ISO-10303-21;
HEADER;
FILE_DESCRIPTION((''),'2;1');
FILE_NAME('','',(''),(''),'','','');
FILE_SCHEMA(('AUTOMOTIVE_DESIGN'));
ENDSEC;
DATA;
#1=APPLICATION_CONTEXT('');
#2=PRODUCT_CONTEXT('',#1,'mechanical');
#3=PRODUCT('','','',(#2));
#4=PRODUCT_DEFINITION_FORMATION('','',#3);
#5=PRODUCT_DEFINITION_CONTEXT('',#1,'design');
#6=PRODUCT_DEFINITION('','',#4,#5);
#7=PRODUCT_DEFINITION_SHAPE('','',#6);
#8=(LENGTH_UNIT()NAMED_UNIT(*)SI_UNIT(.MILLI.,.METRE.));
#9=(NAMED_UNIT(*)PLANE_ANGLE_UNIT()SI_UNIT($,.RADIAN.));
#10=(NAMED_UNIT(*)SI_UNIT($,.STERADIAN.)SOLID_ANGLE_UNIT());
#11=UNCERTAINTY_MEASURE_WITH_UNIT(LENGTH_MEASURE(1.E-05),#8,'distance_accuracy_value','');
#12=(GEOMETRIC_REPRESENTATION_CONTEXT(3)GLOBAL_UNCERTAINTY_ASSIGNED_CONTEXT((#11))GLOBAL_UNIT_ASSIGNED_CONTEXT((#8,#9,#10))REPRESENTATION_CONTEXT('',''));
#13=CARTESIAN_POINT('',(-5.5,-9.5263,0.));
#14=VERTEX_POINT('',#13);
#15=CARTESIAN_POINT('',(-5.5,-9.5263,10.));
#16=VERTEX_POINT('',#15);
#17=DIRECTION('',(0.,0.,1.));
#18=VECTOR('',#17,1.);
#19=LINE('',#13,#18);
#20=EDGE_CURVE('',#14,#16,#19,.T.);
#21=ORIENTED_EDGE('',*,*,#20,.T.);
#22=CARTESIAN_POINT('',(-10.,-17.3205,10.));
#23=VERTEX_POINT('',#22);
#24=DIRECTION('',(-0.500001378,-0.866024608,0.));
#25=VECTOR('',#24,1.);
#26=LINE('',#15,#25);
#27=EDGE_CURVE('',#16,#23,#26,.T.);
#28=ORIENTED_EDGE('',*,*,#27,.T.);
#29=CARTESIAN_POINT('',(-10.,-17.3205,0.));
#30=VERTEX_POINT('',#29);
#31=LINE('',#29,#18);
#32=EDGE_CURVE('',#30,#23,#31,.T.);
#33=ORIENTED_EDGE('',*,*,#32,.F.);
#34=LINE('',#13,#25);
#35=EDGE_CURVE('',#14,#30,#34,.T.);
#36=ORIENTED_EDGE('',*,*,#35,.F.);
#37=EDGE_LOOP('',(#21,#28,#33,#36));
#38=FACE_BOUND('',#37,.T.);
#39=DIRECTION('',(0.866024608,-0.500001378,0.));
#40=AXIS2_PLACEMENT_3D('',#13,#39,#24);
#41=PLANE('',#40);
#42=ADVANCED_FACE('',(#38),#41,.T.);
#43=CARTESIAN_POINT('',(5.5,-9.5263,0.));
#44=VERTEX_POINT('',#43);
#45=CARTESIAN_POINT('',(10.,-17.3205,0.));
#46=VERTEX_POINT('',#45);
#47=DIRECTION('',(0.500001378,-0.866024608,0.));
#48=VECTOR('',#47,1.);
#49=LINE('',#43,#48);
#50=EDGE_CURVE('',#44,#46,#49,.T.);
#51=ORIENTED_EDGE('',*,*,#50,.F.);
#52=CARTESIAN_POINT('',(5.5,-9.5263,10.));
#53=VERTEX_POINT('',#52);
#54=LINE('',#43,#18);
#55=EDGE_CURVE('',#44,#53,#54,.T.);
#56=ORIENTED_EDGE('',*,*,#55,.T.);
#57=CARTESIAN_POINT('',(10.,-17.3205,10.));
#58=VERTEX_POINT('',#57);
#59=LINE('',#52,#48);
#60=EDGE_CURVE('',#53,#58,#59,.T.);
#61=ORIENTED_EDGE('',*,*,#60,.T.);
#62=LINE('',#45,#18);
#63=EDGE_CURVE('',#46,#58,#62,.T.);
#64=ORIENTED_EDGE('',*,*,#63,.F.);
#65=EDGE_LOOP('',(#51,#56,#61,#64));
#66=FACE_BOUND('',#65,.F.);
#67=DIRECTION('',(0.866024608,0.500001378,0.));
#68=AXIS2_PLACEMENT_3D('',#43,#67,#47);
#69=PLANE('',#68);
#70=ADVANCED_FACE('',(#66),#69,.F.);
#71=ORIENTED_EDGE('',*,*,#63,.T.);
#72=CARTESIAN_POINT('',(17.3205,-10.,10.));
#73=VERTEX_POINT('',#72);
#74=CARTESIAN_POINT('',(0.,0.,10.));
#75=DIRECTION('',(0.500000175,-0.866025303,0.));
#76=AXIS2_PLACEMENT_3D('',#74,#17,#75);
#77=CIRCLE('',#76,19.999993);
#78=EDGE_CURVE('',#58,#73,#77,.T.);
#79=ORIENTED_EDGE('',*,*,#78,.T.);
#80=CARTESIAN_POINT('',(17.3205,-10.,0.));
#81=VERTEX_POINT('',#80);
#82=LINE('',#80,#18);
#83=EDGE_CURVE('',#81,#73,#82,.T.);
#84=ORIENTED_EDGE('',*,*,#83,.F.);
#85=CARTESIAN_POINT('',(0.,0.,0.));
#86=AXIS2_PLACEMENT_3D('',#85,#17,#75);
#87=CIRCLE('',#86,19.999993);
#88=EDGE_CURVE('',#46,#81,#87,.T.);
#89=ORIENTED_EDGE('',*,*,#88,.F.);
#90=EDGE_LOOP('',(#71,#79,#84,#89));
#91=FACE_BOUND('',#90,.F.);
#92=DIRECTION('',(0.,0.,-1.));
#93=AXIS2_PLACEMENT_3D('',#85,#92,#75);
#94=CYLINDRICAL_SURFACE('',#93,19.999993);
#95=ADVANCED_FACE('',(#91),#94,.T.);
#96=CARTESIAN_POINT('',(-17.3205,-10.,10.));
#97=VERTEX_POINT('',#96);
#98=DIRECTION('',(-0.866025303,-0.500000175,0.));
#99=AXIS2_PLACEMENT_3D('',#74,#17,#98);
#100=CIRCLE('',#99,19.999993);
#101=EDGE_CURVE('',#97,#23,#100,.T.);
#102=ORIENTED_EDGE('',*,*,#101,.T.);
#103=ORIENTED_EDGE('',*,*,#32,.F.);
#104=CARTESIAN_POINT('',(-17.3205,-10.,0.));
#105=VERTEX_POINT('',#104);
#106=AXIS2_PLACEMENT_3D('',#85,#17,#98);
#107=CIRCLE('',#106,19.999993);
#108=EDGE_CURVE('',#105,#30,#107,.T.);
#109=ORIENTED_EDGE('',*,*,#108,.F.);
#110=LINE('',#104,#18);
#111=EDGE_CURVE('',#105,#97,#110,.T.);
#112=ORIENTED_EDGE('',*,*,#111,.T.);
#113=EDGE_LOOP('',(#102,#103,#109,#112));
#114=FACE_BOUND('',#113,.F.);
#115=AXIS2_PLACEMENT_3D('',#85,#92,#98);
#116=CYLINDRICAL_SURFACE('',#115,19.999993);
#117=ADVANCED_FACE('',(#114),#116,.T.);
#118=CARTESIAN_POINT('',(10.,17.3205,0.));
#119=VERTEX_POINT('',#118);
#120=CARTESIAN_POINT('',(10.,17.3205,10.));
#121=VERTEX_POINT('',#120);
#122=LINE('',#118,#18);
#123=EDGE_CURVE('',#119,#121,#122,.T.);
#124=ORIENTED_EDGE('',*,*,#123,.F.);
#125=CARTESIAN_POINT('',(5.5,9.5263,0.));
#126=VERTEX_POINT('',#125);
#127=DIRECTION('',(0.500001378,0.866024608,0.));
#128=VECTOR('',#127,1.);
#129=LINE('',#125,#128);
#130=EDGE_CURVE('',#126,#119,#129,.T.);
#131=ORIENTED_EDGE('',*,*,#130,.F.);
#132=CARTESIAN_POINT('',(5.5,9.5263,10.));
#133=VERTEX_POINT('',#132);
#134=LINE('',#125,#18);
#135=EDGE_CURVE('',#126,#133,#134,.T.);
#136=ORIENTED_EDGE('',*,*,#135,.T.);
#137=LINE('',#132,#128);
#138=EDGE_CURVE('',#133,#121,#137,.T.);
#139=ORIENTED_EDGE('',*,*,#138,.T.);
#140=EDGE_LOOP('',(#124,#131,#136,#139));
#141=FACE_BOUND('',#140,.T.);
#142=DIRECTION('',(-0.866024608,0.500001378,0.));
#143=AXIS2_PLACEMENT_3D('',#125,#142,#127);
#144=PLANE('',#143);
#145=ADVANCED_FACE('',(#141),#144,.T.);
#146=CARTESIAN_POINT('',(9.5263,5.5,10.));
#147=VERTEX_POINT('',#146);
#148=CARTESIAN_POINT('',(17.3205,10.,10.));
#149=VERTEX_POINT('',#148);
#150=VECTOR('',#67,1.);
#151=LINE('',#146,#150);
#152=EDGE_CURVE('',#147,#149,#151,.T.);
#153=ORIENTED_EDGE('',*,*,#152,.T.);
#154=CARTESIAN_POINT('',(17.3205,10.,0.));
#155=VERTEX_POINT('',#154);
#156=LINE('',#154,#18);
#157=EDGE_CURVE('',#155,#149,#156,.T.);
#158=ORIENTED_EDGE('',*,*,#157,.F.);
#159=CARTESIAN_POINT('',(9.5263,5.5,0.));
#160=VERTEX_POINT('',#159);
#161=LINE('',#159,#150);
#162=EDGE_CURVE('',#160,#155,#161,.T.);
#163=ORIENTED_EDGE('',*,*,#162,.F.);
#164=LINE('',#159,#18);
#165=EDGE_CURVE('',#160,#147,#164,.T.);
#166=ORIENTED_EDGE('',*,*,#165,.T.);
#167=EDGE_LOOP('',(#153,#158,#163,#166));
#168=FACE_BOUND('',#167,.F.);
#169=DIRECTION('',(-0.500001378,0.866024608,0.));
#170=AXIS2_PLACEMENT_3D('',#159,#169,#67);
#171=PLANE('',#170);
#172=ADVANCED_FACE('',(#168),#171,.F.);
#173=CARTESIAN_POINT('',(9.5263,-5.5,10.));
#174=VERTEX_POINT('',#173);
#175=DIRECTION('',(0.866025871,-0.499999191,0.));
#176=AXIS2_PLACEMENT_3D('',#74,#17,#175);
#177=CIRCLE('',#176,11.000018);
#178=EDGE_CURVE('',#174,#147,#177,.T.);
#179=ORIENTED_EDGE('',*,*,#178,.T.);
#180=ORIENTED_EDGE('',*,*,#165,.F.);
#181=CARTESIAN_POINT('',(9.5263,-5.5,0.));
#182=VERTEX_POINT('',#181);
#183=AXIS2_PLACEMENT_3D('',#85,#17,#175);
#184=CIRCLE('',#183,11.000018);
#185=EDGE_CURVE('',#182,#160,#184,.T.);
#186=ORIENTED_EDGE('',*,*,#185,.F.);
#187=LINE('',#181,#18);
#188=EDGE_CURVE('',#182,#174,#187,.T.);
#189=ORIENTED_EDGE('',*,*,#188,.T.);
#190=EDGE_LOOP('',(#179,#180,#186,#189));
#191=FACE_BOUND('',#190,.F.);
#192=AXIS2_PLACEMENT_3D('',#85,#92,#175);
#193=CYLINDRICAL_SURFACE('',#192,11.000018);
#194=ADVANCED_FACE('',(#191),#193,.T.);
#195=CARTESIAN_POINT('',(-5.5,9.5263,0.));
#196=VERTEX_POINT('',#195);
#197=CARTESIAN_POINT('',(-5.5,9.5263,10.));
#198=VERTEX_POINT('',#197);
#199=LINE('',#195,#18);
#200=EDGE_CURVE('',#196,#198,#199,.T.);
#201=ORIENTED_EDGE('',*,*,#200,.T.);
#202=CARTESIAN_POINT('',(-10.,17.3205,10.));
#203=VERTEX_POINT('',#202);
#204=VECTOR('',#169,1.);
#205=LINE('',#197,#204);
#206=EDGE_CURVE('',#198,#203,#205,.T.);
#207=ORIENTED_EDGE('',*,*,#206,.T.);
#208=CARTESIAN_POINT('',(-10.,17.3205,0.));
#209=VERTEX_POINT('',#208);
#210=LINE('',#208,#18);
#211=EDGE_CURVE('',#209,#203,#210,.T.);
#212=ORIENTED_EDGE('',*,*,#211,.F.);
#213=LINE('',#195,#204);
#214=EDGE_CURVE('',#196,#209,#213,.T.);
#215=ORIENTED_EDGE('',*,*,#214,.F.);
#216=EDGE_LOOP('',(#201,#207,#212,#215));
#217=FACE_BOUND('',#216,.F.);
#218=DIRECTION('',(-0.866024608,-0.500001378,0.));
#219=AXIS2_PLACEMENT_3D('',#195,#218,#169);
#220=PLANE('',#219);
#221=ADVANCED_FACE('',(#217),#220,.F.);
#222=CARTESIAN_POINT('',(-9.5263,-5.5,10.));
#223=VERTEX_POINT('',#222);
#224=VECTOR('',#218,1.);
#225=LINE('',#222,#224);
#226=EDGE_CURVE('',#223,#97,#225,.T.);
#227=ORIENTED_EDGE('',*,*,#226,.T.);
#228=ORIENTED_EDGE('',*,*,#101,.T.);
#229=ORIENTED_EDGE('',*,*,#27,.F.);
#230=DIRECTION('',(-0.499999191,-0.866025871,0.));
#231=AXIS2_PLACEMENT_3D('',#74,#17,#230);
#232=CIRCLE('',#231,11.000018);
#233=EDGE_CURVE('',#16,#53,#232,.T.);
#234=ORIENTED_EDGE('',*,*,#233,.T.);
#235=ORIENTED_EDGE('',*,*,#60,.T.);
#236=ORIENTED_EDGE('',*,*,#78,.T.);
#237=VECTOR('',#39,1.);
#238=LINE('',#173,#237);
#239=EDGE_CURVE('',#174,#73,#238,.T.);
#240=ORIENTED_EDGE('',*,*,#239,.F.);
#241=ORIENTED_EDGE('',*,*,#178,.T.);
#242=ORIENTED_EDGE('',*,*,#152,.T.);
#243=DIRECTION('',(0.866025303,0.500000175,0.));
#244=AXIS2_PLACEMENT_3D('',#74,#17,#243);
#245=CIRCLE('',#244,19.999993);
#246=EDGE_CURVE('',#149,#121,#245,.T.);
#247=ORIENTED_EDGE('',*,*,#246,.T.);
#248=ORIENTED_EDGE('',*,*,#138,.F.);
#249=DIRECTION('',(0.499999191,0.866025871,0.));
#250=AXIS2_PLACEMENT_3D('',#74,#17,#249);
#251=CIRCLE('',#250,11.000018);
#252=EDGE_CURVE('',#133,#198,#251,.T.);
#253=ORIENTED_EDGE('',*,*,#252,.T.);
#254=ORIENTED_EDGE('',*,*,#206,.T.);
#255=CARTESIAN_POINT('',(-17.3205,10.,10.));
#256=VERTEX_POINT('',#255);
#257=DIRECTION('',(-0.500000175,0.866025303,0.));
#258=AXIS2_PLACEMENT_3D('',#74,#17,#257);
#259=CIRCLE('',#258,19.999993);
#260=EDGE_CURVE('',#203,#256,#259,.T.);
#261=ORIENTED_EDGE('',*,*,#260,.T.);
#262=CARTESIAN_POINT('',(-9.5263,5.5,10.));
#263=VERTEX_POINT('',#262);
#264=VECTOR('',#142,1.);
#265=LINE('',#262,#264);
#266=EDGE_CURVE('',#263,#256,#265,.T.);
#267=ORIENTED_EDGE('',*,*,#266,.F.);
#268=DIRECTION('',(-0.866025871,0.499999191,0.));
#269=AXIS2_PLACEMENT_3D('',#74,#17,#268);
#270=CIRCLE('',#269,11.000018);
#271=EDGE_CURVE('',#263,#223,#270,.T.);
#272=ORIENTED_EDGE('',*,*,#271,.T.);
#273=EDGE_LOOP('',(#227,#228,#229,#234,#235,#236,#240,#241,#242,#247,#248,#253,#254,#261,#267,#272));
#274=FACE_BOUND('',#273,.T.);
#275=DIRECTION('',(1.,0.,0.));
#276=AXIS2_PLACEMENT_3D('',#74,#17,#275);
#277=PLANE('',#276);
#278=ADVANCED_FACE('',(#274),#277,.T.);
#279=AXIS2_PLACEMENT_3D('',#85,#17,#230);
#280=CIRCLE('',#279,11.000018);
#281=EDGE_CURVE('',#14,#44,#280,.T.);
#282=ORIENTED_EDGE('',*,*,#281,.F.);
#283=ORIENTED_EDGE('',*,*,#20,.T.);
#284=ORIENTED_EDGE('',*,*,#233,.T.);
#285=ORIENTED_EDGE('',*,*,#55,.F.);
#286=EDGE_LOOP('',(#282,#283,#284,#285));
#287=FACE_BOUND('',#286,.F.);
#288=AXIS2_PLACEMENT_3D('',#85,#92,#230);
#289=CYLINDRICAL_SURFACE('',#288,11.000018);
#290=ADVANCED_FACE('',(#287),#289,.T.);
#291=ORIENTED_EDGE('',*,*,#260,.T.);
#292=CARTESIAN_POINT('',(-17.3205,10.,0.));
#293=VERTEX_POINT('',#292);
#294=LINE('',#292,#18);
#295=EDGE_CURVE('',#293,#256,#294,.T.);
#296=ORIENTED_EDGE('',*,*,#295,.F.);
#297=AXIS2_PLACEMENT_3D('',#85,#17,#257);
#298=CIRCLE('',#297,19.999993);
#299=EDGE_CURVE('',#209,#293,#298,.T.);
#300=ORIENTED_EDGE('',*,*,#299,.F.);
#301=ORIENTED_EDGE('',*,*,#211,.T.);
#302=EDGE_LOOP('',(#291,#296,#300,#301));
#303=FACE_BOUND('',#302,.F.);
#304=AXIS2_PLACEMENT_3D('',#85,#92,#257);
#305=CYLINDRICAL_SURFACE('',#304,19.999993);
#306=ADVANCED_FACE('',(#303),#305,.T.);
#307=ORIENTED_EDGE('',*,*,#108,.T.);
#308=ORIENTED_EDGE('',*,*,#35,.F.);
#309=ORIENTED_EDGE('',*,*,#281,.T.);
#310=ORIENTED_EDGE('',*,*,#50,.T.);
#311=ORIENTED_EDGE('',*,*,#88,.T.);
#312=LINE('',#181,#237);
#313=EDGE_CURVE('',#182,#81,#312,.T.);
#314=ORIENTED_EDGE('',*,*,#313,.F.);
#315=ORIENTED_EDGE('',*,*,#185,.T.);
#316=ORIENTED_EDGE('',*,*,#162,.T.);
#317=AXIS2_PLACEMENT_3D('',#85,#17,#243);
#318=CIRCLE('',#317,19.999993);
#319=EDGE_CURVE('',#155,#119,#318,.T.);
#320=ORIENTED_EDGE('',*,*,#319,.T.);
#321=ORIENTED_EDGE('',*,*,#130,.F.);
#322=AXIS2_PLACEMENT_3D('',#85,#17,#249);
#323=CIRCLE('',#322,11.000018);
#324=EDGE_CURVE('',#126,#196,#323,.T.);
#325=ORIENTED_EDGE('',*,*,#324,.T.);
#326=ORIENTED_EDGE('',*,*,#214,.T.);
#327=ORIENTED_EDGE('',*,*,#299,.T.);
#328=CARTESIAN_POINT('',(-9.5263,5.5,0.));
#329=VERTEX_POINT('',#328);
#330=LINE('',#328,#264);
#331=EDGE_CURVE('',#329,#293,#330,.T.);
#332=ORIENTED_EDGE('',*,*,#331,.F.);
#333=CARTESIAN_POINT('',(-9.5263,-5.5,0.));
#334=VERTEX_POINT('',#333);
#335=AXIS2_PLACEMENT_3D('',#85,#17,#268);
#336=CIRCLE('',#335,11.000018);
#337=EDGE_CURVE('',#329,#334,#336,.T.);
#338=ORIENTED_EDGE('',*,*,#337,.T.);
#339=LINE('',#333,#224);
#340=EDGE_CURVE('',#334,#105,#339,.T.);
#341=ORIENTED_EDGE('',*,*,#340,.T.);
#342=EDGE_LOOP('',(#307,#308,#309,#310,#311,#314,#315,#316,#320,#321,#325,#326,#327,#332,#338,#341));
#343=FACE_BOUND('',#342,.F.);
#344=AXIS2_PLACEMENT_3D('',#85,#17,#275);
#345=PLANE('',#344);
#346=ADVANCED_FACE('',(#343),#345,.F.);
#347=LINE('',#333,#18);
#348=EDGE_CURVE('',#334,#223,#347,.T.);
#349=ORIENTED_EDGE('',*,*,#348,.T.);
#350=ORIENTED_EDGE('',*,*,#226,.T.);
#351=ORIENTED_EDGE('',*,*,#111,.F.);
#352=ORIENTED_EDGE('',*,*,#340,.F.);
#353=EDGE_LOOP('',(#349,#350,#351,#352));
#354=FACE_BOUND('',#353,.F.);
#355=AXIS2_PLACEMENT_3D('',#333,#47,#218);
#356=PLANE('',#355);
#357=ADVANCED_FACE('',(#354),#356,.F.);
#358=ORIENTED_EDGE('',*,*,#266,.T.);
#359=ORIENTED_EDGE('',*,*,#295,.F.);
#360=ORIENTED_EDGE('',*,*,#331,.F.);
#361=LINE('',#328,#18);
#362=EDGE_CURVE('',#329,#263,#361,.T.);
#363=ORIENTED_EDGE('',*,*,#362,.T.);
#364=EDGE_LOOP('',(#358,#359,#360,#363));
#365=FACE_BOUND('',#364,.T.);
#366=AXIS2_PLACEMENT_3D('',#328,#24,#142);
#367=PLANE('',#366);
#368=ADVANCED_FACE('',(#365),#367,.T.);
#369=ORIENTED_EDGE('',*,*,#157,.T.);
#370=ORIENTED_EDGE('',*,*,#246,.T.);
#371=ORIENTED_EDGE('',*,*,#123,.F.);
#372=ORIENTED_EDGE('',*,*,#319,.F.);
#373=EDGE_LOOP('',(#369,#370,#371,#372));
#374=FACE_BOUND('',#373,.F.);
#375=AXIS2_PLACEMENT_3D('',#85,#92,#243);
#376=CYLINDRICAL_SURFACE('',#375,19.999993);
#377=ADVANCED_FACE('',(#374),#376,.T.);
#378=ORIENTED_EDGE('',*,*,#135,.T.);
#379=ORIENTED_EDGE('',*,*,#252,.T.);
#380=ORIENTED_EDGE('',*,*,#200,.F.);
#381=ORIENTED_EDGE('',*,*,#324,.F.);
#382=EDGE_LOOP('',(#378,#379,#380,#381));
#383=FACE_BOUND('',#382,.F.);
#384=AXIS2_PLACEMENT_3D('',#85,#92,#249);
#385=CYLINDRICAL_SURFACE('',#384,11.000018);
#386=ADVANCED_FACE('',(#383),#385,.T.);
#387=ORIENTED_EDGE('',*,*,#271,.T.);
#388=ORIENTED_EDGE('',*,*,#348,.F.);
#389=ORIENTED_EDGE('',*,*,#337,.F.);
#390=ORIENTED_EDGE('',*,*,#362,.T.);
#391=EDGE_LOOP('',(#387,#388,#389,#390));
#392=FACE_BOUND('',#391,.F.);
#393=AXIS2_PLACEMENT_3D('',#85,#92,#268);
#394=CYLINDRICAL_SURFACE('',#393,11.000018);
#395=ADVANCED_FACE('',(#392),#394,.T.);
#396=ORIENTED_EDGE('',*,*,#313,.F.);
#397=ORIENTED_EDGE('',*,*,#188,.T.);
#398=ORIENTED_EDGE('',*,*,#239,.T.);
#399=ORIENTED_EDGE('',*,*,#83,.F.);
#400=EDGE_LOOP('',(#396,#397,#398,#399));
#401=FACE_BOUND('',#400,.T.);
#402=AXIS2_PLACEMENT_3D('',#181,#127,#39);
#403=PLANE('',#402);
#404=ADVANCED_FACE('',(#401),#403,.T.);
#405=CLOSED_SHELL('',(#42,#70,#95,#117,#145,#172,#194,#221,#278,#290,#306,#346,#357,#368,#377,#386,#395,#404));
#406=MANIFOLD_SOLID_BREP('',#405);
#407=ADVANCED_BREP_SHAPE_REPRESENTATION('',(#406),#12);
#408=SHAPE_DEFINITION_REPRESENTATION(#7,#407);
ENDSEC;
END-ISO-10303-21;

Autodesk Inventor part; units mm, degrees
ref_plane "YZ Plane" through (0, 0, 0) normal (1, 0, 0) x (0, 1, 0)
ref_plane "XZ Plane" through (0, 0, 0) normal (0, 1, 0) x (-1, 0, 0)
ref_plane "XY Plane" through (0, 0, 0) normal (0, 0, 1) x (1, 0, 0)
sketch "Sketch1" plane through (0, 0, 0) normal (0, 0, 1) x (1, 0, 0)
  line L0 (-9.5263, 5.5) -> (-17.3205, 10)
  line L1 (0, 0) -> (20, 0) construction
  line L2 (-9.5263, -5.5) -> (-17.3205, -10)
  line L3 (0, 0) -> (20, 0) construction
  line L4 (5.5, 9.5263) -> (10, 17.3205)
  line L5 (0, 0) -> (20, 0) construction
  line L6 (-5.5, 9.5263) -> (-10, 17.3205)
  line L7 (0, 0) -> (20, 0) construction
  line L8 (5.5, -9.5263) -> (10, -17.3205)
  line L9 (-5.5, -9.5263) -> (-10, -17.3205)
  line L10 (0, 0) -> (0, 20) construction
  line L11 (9.5263, 5.5) -> (17.3205, 10)
  line L12 (9.5263, -5.5) -> (17.3205, -10)
  arc A0 (17.3205, 10) -> (10, 17.3205) centre (0, 0) ccw
  arc A1 (-10, 17.3205) -> (-17.3205, 10) centre (0, 0) ccw
  arc A2 (-17.3205, -10) -> (-10, -17.3205) centre (0, 0) ccw
  arc A3 (10, -17.3205) -> (17.3205, -10) centre (0, 0) ccw
  arc A4 (-9.5263, 5.5) -> (-9.5263, -5.5) centre (0, 0) ccw
  arc A5 (5.5, 9.5263) -> (-5.5, 9.5263) centre (0, 0) ccw
  arc A6 (-5.5, -9.5263) -> (5.5, -9.5263) centre (0, 0) ccw
  arc A7 (9.5263, -5.5) -> (9.5263, 5.5) centre (0, 0) ccw
  dimension "d2" = 150
  dimension "d3" = 150
  dimension "d4" = 60
  dimension "d5" = 120
extrude "Extrusion1" add sketch "Sketch1" along normal blind 10
properties part number "NYLON-JAW"
